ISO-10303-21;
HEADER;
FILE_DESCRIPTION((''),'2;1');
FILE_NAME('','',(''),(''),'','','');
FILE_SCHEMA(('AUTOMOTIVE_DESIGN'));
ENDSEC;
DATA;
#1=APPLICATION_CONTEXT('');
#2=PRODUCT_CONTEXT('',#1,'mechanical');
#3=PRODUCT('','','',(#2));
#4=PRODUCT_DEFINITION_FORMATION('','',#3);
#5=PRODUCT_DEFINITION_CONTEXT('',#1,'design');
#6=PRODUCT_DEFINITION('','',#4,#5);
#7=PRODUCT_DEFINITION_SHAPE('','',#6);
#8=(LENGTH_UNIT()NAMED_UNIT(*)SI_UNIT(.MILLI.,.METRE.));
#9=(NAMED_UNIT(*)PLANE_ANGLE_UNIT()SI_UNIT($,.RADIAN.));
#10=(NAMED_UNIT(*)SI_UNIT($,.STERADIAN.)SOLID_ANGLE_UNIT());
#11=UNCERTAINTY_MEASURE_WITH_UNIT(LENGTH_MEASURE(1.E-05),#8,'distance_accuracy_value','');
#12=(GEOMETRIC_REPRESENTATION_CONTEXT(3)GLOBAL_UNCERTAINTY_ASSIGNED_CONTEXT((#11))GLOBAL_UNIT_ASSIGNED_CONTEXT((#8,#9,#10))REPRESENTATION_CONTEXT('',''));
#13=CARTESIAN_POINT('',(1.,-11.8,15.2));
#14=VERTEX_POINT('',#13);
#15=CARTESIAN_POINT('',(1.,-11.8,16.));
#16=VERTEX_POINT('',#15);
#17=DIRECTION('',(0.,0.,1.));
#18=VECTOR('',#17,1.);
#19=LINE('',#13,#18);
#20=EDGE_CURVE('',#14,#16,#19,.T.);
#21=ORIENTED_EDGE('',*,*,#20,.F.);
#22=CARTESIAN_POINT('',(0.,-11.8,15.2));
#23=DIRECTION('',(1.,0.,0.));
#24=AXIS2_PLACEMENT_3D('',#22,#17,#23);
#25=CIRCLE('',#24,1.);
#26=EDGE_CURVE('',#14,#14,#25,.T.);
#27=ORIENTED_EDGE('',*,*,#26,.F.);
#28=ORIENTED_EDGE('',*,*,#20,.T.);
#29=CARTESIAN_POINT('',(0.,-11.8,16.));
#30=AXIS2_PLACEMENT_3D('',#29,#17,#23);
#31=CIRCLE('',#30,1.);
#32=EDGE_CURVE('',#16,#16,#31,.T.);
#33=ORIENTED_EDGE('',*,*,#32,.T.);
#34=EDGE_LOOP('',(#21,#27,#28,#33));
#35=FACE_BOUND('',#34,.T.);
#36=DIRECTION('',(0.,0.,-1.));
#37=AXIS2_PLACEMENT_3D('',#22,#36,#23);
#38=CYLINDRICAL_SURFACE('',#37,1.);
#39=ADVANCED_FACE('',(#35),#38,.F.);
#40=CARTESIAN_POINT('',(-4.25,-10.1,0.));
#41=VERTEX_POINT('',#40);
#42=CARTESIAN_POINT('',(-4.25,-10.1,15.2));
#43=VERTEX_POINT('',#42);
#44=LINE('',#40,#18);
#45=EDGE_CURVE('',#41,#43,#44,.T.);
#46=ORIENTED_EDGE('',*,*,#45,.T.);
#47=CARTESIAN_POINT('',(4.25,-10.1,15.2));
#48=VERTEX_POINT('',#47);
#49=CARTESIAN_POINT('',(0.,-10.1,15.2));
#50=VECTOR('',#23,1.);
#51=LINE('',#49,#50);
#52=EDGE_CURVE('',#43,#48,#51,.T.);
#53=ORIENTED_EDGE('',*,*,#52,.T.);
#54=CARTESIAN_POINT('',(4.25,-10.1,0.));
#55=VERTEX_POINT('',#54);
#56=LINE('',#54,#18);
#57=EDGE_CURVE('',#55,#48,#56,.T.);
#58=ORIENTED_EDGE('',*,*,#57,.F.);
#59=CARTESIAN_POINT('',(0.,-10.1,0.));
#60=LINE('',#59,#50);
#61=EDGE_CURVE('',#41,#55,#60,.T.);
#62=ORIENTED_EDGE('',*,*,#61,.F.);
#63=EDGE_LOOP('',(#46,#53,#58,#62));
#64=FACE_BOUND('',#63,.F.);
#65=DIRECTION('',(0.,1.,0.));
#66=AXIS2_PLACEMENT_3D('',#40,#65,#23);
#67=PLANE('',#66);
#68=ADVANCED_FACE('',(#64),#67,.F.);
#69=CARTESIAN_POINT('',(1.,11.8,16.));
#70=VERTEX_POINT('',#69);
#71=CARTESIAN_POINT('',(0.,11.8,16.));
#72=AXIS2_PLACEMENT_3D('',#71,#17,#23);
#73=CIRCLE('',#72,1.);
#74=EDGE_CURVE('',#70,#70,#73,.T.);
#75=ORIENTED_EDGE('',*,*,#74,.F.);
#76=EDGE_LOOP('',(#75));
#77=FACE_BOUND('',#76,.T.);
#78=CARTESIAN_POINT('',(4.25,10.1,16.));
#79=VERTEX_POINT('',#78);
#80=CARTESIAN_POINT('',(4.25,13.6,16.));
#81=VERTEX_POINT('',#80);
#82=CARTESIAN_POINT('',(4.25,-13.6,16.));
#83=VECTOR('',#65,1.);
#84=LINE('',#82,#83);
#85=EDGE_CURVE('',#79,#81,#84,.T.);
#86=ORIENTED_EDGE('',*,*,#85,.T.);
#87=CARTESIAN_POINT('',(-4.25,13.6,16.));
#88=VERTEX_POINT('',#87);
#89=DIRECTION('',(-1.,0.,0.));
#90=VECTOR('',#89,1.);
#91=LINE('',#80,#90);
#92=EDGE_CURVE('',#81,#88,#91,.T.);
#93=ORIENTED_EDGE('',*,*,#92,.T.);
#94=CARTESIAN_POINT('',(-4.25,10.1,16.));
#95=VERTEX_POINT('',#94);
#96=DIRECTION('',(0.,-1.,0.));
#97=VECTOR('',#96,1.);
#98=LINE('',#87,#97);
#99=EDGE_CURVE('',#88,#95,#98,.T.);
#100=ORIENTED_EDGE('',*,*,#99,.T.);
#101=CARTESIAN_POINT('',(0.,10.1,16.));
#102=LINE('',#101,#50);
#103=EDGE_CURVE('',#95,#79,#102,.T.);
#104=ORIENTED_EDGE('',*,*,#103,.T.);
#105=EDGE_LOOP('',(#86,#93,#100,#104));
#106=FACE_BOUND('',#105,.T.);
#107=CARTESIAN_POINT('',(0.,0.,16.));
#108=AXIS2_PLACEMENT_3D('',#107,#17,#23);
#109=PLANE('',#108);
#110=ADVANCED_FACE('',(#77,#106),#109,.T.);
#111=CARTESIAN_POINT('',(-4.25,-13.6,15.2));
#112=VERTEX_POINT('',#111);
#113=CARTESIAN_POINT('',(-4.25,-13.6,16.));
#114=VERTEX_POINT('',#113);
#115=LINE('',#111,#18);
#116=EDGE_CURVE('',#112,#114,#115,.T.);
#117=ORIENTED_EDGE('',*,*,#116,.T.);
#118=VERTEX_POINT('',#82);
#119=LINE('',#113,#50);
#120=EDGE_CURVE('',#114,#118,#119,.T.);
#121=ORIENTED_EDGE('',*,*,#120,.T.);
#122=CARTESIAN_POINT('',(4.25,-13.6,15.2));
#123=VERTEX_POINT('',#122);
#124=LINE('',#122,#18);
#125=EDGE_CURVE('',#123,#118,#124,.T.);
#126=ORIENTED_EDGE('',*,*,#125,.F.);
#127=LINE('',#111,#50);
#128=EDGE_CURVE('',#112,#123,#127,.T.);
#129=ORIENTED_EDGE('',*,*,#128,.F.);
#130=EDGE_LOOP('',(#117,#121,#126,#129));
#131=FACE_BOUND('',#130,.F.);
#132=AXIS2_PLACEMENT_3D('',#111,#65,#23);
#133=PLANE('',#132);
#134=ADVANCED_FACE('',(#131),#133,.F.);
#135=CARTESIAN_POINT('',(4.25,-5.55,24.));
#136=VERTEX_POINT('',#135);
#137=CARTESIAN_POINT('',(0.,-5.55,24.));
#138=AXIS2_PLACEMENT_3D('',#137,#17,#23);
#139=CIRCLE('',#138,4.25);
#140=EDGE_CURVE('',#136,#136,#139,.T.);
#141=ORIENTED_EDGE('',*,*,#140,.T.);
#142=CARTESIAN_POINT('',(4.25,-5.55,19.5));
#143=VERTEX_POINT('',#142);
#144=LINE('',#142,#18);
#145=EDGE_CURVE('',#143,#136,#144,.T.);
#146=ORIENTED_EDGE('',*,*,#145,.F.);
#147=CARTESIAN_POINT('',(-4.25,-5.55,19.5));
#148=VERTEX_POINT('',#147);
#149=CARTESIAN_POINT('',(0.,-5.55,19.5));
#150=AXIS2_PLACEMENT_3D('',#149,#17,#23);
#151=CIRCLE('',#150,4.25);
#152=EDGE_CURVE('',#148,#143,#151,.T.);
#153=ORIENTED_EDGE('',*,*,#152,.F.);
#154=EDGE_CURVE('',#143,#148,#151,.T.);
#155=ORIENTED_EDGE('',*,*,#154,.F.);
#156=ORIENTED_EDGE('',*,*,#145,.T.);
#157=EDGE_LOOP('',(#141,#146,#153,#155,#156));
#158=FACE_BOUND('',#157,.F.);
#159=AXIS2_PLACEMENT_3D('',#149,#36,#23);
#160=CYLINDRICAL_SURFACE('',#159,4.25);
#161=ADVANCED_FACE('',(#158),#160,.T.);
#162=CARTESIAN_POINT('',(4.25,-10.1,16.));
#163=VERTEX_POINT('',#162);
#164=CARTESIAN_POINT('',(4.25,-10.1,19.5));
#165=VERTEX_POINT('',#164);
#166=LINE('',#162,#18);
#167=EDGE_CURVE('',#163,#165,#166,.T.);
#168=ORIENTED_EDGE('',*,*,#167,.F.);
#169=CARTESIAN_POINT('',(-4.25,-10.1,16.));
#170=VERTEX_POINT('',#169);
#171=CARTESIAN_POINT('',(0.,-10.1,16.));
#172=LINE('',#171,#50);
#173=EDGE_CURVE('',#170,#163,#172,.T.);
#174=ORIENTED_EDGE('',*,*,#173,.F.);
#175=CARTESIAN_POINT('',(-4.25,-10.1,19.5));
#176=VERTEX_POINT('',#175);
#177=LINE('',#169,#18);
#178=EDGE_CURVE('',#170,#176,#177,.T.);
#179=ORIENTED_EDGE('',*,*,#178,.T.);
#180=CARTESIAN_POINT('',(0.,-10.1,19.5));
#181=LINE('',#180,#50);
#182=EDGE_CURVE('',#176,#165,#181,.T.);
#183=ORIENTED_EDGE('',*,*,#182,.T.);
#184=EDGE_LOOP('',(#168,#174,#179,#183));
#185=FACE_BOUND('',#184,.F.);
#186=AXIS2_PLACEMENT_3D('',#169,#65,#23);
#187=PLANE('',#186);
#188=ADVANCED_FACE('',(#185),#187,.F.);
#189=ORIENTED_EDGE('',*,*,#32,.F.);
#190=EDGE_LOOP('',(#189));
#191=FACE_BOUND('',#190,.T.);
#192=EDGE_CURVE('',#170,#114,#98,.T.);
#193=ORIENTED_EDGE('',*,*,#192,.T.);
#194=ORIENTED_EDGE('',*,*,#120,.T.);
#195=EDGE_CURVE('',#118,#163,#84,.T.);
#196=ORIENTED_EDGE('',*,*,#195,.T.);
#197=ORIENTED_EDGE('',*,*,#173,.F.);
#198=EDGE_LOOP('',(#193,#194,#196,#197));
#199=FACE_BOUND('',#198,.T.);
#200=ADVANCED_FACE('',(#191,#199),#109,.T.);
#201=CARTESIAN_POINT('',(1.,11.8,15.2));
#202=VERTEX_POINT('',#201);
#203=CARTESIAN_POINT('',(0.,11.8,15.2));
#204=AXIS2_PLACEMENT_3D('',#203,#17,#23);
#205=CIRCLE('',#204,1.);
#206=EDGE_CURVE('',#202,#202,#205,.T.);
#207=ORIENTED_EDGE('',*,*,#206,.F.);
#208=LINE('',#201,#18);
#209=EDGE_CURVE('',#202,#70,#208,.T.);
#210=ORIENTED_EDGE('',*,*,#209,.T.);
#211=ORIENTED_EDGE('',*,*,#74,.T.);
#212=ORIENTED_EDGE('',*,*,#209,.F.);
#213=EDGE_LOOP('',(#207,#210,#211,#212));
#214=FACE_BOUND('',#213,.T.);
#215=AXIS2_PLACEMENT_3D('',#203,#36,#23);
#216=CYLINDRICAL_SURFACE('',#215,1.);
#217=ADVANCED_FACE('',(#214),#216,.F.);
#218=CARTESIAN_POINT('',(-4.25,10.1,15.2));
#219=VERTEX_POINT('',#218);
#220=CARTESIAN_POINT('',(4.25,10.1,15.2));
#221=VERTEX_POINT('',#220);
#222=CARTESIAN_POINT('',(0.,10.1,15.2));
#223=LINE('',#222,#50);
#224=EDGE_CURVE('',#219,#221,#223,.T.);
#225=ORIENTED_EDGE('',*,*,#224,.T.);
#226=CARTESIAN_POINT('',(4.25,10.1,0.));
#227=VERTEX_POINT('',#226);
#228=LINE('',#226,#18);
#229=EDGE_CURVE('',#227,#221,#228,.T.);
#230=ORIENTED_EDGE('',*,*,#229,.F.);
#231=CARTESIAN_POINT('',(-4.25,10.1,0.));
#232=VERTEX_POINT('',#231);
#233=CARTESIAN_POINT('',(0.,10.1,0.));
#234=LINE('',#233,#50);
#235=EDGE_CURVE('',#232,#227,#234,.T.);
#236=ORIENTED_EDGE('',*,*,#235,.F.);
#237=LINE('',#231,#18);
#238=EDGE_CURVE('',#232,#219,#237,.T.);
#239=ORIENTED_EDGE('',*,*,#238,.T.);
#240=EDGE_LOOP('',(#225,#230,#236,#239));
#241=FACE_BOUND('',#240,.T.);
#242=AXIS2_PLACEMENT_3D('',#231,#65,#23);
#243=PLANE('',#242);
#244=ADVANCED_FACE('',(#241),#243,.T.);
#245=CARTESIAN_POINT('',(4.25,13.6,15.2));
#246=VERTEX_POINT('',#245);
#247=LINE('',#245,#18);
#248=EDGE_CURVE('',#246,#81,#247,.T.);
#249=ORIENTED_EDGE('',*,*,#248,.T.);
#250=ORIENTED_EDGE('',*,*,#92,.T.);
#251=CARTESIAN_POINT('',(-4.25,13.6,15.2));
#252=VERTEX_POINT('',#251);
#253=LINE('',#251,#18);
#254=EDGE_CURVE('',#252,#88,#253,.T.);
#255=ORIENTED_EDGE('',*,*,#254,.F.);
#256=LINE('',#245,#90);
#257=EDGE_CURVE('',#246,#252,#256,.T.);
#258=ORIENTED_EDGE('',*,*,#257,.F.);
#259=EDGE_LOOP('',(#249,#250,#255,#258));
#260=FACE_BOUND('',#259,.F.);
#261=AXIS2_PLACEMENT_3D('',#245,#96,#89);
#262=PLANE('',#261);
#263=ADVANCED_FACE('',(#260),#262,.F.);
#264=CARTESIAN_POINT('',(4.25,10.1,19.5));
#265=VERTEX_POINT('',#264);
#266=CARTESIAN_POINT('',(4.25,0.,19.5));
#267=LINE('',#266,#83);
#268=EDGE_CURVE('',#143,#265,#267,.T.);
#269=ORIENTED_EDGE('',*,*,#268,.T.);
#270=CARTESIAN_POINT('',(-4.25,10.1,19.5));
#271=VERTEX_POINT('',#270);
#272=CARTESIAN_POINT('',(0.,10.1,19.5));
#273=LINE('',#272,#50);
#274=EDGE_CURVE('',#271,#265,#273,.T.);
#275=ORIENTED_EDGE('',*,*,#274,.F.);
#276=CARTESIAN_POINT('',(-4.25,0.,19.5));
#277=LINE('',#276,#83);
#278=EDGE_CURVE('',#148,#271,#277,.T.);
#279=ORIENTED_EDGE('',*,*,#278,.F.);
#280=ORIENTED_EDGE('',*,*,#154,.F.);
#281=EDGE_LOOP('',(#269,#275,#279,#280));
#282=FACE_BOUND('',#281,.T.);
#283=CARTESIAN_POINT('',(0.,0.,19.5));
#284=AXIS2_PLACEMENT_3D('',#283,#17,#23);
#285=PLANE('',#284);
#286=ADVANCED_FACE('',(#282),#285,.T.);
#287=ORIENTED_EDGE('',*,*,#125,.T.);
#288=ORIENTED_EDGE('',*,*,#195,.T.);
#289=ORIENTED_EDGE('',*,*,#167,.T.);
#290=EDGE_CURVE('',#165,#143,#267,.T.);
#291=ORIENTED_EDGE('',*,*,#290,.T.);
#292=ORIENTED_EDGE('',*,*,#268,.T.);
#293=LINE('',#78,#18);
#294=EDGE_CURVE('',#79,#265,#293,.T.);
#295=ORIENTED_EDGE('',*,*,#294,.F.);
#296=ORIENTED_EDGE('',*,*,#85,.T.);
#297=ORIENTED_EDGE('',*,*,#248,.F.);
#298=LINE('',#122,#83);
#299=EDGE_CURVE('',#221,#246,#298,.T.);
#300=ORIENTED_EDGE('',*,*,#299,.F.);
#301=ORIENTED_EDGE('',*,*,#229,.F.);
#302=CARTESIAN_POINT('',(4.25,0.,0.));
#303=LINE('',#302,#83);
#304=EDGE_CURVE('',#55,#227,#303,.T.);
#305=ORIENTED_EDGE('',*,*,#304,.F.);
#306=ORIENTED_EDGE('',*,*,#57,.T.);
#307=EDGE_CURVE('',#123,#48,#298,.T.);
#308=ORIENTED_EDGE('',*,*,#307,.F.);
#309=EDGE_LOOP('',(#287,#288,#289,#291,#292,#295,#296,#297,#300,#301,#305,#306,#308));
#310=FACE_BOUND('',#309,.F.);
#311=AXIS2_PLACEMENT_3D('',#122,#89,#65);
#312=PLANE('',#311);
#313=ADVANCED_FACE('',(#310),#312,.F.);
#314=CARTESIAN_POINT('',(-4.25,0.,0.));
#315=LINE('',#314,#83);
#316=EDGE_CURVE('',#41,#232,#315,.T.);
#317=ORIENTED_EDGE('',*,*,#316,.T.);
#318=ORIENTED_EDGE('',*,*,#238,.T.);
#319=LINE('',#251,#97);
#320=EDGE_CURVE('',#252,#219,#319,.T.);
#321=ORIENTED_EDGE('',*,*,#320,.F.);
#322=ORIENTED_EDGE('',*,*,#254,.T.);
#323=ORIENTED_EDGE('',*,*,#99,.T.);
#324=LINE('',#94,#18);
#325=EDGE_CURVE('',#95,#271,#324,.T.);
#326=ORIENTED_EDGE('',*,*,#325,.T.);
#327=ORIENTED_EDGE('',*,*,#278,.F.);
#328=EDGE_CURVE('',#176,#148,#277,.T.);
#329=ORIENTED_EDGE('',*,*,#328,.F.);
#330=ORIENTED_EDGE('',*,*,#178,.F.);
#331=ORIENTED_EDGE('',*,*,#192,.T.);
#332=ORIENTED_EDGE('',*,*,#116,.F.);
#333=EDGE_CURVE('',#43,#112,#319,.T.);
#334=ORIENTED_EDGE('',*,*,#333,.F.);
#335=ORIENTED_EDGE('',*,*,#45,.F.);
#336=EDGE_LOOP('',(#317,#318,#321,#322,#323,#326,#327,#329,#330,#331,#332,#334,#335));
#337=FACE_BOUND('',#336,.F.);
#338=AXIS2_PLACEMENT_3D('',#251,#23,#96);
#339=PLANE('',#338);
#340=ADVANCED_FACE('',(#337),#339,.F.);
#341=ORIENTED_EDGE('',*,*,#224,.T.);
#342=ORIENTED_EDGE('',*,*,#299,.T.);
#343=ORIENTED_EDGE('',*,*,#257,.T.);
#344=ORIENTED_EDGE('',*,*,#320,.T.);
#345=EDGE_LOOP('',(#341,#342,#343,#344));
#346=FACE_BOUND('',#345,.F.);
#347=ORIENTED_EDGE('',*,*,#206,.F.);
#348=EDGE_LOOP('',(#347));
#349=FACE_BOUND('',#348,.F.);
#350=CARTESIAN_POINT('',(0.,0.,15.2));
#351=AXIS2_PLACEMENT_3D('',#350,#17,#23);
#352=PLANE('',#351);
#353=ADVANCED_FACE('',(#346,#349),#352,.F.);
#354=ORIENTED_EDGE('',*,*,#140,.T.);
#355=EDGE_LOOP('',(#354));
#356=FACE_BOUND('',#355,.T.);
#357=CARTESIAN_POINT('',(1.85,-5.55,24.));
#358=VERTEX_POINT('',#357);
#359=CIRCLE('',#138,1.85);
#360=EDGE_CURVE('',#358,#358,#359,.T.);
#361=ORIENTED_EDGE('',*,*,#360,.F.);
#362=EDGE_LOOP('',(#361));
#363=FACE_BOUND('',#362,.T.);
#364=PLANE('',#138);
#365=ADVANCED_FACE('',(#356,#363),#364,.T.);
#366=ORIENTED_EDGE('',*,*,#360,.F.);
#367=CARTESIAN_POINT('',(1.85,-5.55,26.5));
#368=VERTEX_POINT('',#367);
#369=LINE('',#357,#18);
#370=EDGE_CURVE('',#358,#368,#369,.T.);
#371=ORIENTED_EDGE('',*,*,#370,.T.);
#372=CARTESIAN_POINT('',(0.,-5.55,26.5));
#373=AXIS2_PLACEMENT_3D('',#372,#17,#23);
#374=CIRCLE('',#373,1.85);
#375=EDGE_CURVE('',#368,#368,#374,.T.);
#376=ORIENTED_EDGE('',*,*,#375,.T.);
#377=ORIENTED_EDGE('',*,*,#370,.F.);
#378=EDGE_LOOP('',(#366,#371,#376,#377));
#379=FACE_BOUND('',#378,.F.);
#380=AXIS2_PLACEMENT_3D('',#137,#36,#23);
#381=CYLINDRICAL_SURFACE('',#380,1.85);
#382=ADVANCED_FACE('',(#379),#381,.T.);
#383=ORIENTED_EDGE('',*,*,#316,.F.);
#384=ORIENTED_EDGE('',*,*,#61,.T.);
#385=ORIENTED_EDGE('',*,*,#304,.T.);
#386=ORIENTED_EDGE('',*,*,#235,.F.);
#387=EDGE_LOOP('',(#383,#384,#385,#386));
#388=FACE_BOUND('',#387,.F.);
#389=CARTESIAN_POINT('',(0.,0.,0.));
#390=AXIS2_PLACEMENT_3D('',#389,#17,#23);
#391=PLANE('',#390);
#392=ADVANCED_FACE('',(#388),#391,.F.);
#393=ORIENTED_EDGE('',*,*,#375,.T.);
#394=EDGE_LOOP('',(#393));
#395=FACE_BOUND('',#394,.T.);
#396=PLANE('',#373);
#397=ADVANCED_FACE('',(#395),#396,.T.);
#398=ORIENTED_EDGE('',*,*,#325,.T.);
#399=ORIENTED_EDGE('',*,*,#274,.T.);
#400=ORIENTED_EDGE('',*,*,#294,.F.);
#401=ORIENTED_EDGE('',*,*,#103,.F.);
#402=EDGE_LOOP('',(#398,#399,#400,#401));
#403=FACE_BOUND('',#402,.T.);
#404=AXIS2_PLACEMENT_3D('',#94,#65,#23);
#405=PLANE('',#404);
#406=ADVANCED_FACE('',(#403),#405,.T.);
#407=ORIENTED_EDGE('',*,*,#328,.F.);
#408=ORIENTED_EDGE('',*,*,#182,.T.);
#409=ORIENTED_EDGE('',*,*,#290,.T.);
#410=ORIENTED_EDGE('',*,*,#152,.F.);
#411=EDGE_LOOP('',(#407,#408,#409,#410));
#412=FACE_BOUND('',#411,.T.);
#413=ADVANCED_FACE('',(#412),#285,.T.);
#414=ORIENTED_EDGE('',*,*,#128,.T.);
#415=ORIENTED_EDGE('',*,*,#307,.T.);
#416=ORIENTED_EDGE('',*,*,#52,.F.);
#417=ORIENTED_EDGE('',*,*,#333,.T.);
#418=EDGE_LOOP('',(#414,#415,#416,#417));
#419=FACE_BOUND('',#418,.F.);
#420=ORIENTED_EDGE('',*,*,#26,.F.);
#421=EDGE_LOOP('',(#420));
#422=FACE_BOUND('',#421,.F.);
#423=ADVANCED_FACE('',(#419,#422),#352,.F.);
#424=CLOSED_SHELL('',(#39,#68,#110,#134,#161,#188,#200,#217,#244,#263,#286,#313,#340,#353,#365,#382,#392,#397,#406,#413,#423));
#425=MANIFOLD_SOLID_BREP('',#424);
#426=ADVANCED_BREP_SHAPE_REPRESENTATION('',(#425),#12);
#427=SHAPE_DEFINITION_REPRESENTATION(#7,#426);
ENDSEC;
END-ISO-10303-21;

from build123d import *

# Parameters (mm, degrees)
SKETCH_W     = 8.5
SKETCH_H     = 20.2
PAD_DEPTH    = 15.2
SKETCH001_R  = 1
PAD001_DEPTH = 0.8
SKETCH002_W  = 8.5
SKETCH002_H  = 20.2
PAD002_DEPTH = 3.5
SKETCH003_R  = 4.25
PAD003_DEPTH = 4.5
SKETCH004_R  = 1.85
PAD004_DEPTH = 2.5


with BuildPart() as part:
    # Sketch → Pad (new body)
    with BuildSketch(Plane.XY):
        Rectangle(SKETCH_W, SKETCH_H)
    extrude(amount=PAD_DEPTH)

    # Sketch001 (on Face6 of Pad) → Pad001 (join)
    with BuildSketch(Plane.XY.offset(15.2)):
        Polygon((4.25, 10.1), (4.25, 13.6), (-4.25, 13.6), (-4.25, 10.1), (-4.25, -10.1), (-4.25, -13.6), (4.25, -13.6), (4.25, -10.1), align=None)
        with Locations((0, 11.8)):
            Circle(SKETCH001_R, mode=Mode.SUBTRACT)
        with Locations((0, -11.8)):
            Circle(SKETCH001_R, mode=Mode.SUBTRACT)
    extrude(amount=PAD001_DEPTH)

    # Sketch002 (on Face9 of Pad001) → Pad002 (join)
    with BuildSketch(Plane.XY.offset(16)):
        Rectangle(SKETCH002_W, SKETCH002_H)
    extrude(amount=PAD002_DEPTH)

    # Sketch003 (on Face14 of Pad002) → Pad003 (join)
    with BuildSketch(Plane.XY.offset(19.5)):
        with Locations((0, -5.55)):
            Circle(SKETCH003_R)
    extrude(amount=PAD003_DEPTH)

    # Sketch004 (on Face19 of Pad003) → Pad004 (join)
    with BuildSketch(Plane.XY.offset(24)):
        with Locations((0, -5.55)):
            Circle(SKETCH004_R)
    extrude(amount=PAD004_DEPTH)


solid = part.part
